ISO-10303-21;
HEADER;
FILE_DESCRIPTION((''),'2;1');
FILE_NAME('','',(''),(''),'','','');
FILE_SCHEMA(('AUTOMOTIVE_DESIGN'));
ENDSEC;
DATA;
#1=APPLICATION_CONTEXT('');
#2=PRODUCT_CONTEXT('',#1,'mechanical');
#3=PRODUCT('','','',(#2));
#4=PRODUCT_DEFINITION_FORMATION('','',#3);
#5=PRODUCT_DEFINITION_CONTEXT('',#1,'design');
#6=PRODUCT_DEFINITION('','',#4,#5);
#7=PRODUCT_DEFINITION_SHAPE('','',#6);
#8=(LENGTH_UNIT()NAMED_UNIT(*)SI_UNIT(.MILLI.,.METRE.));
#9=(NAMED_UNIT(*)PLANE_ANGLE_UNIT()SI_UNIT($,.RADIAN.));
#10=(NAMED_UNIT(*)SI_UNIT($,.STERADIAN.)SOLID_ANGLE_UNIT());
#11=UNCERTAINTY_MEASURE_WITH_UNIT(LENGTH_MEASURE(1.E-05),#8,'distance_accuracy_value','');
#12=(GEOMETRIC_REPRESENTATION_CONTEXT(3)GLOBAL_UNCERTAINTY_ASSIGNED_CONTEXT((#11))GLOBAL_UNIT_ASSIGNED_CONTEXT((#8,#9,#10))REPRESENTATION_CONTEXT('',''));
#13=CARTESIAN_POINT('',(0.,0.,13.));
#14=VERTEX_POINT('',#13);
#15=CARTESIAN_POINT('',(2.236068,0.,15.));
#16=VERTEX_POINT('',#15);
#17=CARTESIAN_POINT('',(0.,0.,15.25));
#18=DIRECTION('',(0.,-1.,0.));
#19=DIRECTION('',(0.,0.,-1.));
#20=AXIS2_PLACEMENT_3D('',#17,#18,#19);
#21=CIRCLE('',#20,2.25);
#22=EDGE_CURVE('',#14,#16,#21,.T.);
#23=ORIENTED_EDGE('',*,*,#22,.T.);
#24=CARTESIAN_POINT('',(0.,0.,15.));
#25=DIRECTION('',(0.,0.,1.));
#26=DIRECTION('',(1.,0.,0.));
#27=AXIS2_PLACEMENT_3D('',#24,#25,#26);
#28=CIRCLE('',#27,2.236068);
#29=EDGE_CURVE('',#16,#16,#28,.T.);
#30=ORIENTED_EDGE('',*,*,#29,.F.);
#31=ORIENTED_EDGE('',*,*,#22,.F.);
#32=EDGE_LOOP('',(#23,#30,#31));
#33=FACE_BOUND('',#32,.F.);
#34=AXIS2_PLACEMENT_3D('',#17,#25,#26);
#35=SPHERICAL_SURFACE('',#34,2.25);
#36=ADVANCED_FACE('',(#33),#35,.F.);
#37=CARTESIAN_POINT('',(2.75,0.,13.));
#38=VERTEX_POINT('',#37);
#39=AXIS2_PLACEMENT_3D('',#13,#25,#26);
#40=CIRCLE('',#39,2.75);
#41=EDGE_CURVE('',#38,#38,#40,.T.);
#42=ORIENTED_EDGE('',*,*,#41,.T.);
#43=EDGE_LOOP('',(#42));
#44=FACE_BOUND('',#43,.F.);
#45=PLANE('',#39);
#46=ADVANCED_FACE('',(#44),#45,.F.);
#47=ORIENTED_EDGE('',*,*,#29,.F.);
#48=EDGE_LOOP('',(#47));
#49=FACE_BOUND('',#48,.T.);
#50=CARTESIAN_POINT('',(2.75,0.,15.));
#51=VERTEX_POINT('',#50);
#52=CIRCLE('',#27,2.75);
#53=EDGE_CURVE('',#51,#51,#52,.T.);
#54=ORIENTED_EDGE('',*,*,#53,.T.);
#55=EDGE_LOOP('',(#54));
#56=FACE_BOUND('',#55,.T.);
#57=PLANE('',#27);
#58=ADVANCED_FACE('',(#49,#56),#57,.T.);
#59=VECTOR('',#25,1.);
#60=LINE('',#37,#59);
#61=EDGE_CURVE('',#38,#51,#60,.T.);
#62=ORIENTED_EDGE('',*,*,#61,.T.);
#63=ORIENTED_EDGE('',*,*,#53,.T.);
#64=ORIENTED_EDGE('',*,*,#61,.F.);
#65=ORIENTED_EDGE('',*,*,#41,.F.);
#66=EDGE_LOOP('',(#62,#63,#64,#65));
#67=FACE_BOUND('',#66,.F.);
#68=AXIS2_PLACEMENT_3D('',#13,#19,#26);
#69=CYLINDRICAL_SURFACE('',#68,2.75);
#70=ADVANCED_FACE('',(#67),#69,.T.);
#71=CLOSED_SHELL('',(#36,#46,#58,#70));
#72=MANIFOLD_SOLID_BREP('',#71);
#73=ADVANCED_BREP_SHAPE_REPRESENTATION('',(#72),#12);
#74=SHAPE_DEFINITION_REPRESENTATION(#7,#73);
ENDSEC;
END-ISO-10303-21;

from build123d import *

# Parameters (mm, degrees)
CYLINDER005_R     = 2.75
CYLINDER005_DEPTH = 2


with BuildPart() as sphere004:
    # Sphere004 → Sphere004 (revolve)
    with BuildSketch(Plane(origin=(0, 0, 15.25), x_dir=(1, 0, 0), z_dir=(0, -1, 0))):
        with BuildLine():
            ThreePointArc((0, -2.25), (2.25, 0), (0, 2.25))
            Line((0, 2.25), (0, -2.25))
        make_face()
    revolve(axis=Axis((0, 0, 15.25), (0, 0, 1)))


with BuildPart() as cut002:
    # Cylinder005 → Cylinder005 (new body)
    with BuildSketch(Plane.XY.offset(13)):
        Circle(CYLINDER005_R)
    extrude(amount=CYLINDER005_DEPTH)

    # Cut002: cut Sphere004
    add(sphere004.part, mode=Mode.SUBTRACT)


solid = cut002.part
